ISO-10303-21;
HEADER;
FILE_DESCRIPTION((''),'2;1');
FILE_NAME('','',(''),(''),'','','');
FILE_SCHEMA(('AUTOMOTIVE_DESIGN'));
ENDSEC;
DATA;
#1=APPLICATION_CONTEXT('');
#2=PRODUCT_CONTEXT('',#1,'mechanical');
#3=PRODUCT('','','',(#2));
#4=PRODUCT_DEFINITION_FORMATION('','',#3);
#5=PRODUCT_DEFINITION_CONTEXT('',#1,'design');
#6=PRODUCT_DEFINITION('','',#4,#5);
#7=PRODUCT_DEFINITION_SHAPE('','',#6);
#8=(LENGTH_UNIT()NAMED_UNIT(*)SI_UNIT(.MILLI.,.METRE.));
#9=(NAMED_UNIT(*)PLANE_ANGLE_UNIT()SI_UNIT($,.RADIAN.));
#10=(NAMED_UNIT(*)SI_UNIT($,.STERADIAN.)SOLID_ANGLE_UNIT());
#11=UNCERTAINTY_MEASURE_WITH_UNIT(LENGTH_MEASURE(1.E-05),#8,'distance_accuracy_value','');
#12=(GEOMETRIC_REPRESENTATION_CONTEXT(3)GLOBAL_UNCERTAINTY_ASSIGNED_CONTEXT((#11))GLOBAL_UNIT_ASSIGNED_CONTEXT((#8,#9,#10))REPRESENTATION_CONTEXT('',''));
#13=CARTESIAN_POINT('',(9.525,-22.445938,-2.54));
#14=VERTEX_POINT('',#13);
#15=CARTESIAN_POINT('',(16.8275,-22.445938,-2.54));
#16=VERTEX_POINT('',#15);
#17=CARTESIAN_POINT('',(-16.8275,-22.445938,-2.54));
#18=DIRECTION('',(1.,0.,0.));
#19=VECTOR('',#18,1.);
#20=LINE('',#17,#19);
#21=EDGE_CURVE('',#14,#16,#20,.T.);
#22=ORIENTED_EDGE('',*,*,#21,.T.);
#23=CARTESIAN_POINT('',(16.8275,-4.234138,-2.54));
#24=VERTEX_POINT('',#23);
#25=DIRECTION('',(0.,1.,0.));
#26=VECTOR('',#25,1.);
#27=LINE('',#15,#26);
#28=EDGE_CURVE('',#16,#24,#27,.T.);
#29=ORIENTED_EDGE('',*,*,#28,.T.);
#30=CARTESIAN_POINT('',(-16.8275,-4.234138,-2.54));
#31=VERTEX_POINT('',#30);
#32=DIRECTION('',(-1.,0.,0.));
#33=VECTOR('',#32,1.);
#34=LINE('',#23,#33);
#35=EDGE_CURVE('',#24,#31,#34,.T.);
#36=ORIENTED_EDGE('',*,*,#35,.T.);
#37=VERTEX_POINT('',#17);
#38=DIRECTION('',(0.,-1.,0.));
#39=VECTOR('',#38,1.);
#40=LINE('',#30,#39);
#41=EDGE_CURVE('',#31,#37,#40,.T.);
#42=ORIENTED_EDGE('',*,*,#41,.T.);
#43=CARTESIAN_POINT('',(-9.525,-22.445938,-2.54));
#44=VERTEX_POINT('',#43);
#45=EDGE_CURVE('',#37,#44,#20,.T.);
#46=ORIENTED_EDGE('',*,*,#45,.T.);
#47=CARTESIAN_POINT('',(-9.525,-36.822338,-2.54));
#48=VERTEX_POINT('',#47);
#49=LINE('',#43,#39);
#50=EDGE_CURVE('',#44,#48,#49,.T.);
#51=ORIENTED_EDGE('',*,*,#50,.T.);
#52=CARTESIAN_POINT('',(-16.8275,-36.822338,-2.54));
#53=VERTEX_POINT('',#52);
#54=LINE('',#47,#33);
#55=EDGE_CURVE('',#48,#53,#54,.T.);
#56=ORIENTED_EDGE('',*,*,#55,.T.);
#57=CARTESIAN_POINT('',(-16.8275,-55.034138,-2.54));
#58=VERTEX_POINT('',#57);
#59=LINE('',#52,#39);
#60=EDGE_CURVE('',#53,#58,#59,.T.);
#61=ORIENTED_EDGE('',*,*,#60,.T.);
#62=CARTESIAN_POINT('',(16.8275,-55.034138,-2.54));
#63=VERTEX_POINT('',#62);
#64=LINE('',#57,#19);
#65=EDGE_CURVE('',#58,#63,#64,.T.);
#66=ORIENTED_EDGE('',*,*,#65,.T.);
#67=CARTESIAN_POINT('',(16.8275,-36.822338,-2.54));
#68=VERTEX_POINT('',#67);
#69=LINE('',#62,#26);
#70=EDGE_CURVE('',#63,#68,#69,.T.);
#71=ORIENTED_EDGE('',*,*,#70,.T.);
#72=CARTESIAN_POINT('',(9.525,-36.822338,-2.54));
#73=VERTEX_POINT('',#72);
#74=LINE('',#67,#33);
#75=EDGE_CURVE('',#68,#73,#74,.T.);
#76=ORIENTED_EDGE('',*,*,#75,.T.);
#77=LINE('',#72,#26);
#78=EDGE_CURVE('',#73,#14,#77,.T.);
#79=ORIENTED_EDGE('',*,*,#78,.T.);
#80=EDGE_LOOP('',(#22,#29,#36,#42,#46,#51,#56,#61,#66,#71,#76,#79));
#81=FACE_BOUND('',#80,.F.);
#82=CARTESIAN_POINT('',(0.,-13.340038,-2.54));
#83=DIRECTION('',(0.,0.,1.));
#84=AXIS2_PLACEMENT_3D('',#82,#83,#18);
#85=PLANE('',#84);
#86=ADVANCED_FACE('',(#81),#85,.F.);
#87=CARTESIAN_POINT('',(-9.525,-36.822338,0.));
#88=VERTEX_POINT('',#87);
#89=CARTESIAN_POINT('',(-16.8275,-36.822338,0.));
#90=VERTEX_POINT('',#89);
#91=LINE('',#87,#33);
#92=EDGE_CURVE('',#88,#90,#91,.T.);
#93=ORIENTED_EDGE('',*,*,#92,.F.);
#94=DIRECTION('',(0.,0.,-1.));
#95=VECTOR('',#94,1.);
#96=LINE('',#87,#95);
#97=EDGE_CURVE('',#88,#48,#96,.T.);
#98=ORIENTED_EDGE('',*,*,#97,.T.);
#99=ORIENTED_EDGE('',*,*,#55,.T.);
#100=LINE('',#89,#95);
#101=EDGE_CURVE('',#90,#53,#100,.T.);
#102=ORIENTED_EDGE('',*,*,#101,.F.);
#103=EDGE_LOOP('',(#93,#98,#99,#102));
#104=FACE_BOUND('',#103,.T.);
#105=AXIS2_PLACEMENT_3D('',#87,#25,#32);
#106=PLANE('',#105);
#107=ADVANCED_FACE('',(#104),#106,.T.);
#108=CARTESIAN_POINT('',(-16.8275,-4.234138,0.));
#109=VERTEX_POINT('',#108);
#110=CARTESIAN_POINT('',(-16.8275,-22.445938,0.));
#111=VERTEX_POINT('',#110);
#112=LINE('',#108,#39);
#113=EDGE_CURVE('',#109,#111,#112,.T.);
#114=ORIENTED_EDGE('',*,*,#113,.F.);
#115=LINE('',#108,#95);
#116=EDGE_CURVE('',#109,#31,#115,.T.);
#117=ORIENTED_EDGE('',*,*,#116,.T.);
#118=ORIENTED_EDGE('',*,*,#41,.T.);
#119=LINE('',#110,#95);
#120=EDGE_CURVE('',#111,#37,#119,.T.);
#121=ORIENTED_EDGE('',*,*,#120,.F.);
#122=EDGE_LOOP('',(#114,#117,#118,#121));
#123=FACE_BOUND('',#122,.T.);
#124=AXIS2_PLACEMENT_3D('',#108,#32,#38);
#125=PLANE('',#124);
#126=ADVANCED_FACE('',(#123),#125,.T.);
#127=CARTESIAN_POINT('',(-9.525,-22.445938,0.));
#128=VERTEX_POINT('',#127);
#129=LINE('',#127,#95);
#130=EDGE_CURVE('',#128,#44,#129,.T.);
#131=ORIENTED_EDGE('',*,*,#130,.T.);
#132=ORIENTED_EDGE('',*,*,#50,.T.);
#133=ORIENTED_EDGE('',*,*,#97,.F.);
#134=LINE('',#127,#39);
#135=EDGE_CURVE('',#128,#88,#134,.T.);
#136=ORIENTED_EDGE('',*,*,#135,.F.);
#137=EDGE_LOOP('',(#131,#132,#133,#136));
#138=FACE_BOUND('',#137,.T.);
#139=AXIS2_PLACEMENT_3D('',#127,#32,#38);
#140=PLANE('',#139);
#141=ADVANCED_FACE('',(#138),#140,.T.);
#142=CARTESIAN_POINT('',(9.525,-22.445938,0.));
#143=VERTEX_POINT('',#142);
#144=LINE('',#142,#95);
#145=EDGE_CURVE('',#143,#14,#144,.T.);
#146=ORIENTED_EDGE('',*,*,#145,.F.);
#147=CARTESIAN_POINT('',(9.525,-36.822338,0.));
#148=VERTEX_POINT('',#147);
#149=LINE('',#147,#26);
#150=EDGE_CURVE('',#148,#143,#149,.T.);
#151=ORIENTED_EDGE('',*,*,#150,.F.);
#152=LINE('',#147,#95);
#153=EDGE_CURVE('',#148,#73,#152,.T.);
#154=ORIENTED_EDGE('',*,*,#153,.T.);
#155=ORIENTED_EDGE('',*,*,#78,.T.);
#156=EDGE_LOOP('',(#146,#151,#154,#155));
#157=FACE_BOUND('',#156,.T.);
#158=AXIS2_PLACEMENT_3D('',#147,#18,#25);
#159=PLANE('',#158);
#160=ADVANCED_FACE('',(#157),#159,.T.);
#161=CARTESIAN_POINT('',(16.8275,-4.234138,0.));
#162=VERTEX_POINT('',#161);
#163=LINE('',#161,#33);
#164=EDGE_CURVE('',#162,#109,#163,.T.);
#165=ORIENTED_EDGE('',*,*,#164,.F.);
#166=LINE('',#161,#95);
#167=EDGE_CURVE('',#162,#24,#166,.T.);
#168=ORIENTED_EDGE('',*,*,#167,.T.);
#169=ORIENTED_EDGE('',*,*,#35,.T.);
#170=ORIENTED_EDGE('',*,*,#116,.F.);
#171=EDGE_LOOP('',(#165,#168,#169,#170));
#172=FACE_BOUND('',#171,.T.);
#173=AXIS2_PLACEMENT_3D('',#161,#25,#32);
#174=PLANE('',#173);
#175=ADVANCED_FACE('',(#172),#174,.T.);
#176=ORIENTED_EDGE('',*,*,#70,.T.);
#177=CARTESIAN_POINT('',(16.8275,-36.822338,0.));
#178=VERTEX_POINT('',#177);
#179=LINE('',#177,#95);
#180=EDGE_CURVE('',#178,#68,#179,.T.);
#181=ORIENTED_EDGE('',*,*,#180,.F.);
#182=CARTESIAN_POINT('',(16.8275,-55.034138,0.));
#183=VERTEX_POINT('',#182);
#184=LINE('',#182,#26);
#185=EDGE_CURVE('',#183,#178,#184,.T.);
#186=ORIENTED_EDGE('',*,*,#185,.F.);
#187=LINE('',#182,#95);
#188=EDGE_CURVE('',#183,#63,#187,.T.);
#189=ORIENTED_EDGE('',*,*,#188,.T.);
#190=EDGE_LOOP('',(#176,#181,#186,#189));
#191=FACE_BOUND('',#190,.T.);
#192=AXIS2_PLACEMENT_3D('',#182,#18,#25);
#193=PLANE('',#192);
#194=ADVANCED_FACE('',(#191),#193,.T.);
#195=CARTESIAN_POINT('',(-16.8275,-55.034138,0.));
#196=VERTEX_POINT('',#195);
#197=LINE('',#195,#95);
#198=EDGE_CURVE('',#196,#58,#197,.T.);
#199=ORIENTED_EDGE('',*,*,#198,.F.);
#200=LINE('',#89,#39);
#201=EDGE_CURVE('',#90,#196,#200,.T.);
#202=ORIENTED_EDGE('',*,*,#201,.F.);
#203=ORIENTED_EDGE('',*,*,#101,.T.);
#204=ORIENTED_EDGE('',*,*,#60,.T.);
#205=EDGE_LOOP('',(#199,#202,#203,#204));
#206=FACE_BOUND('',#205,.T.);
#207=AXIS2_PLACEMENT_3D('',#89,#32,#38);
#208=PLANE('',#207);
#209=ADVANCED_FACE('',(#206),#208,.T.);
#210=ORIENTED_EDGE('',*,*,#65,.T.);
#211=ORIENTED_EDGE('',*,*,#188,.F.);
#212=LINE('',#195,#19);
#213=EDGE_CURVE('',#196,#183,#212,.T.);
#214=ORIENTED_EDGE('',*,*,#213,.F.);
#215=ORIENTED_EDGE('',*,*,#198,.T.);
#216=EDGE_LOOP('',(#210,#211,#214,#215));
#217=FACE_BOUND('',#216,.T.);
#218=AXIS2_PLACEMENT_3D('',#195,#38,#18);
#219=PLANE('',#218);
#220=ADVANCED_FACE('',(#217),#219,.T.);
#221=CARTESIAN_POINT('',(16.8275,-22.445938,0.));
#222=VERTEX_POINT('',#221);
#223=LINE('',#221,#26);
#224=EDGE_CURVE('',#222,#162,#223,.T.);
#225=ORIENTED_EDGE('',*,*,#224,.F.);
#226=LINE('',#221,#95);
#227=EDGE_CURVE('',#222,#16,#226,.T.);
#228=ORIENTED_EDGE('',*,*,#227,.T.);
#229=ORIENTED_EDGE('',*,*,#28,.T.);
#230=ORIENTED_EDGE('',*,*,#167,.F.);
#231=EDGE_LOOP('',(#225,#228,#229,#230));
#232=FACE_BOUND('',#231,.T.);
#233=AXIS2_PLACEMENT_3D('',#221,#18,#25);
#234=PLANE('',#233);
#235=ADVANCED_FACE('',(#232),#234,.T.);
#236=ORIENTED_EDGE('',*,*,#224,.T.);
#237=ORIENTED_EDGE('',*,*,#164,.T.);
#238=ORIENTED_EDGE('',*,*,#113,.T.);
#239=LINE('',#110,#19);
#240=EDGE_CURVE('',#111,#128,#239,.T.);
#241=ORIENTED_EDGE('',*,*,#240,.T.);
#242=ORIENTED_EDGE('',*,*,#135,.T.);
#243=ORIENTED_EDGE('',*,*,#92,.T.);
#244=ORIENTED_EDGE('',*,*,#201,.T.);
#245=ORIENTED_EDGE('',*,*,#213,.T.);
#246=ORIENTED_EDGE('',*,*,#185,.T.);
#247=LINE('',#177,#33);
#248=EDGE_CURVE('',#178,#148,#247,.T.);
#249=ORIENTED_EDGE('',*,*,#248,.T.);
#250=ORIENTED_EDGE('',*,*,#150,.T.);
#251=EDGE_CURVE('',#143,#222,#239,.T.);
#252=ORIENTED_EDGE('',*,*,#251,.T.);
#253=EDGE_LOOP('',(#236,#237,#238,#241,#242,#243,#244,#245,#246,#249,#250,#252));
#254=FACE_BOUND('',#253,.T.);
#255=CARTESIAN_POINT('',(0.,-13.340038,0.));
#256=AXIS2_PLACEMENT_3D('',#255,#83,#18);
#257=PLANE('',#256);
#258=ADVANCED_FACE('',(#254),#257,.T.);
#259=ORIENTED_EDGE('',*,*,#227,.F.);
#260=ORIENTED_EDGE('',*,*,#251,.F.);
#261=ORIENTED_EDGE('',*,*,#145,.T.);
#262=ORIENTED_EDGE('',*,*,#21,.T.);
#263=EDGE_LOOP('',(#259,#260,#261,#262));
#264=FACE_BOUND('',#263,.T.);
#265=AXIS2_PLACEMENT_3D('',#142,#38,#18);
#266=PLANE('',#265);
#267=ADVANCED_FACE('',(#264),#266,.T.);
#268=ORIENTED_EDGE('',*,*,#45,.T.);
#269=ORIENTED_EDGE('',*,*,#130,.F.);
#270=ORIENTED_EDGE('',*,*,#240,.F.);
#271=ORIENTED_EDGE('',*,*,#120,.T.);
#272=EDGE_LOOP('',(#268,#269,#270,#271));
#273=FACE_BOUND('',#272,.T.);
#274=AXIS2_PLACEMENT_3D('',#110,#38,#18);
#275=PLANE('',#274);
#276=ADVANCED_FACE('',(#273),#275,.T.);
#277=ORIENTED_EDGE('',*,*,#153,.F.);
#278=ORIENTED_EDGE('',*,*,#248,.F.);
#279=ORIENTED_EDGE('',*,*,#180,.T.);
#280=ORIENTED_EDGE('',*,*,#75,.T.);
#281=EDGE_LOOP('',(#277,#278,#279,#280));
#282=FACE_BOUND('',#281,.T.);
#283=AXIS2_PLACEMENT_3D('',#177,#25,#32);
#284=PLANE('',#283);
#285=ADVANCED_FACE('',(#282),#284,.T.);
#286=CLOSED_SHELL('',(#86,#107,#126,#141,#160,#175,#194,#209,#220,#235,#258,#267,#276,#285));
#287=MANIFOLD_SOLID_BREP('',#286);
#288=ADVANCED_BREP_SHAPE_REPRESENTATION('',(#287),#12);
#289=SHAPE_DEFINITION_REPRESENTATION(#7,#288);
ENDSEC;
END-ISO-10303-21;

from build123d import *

# Parameters (mm, degrees)
F0_W     = 19.05
F0_H     = 7.1882
F1_DEPTH = 2.54


with BuildPart() as f1:
    # F0 (on Top) → F1 (new body)
    with BuildSketch(Plane.XY):
        Polygon((-16.8275, -22.445938), (-9.525, -22.445938), (9.525, -22.445938), (16.8275, -22.445938), (16.8275, -4.234138), (-16.8275, -4.234138), align=None)
        with Locations((0, -26.040038)):
            Rectangle(F0_W, F0_H)
        with Locations((0, -33.228238)):
            Rectangle(F0_W, F0_H)
        Polygon((-9.525, -36.822338), (-16.8275, -36.822338), (-16.8275, -55.034138), (16.8275, -55.034138), (16.8275, -36.822338), (9.525, -36.822338), align=None)
    extrude(amount=-F1_DEPTH)


solid = f1.part
